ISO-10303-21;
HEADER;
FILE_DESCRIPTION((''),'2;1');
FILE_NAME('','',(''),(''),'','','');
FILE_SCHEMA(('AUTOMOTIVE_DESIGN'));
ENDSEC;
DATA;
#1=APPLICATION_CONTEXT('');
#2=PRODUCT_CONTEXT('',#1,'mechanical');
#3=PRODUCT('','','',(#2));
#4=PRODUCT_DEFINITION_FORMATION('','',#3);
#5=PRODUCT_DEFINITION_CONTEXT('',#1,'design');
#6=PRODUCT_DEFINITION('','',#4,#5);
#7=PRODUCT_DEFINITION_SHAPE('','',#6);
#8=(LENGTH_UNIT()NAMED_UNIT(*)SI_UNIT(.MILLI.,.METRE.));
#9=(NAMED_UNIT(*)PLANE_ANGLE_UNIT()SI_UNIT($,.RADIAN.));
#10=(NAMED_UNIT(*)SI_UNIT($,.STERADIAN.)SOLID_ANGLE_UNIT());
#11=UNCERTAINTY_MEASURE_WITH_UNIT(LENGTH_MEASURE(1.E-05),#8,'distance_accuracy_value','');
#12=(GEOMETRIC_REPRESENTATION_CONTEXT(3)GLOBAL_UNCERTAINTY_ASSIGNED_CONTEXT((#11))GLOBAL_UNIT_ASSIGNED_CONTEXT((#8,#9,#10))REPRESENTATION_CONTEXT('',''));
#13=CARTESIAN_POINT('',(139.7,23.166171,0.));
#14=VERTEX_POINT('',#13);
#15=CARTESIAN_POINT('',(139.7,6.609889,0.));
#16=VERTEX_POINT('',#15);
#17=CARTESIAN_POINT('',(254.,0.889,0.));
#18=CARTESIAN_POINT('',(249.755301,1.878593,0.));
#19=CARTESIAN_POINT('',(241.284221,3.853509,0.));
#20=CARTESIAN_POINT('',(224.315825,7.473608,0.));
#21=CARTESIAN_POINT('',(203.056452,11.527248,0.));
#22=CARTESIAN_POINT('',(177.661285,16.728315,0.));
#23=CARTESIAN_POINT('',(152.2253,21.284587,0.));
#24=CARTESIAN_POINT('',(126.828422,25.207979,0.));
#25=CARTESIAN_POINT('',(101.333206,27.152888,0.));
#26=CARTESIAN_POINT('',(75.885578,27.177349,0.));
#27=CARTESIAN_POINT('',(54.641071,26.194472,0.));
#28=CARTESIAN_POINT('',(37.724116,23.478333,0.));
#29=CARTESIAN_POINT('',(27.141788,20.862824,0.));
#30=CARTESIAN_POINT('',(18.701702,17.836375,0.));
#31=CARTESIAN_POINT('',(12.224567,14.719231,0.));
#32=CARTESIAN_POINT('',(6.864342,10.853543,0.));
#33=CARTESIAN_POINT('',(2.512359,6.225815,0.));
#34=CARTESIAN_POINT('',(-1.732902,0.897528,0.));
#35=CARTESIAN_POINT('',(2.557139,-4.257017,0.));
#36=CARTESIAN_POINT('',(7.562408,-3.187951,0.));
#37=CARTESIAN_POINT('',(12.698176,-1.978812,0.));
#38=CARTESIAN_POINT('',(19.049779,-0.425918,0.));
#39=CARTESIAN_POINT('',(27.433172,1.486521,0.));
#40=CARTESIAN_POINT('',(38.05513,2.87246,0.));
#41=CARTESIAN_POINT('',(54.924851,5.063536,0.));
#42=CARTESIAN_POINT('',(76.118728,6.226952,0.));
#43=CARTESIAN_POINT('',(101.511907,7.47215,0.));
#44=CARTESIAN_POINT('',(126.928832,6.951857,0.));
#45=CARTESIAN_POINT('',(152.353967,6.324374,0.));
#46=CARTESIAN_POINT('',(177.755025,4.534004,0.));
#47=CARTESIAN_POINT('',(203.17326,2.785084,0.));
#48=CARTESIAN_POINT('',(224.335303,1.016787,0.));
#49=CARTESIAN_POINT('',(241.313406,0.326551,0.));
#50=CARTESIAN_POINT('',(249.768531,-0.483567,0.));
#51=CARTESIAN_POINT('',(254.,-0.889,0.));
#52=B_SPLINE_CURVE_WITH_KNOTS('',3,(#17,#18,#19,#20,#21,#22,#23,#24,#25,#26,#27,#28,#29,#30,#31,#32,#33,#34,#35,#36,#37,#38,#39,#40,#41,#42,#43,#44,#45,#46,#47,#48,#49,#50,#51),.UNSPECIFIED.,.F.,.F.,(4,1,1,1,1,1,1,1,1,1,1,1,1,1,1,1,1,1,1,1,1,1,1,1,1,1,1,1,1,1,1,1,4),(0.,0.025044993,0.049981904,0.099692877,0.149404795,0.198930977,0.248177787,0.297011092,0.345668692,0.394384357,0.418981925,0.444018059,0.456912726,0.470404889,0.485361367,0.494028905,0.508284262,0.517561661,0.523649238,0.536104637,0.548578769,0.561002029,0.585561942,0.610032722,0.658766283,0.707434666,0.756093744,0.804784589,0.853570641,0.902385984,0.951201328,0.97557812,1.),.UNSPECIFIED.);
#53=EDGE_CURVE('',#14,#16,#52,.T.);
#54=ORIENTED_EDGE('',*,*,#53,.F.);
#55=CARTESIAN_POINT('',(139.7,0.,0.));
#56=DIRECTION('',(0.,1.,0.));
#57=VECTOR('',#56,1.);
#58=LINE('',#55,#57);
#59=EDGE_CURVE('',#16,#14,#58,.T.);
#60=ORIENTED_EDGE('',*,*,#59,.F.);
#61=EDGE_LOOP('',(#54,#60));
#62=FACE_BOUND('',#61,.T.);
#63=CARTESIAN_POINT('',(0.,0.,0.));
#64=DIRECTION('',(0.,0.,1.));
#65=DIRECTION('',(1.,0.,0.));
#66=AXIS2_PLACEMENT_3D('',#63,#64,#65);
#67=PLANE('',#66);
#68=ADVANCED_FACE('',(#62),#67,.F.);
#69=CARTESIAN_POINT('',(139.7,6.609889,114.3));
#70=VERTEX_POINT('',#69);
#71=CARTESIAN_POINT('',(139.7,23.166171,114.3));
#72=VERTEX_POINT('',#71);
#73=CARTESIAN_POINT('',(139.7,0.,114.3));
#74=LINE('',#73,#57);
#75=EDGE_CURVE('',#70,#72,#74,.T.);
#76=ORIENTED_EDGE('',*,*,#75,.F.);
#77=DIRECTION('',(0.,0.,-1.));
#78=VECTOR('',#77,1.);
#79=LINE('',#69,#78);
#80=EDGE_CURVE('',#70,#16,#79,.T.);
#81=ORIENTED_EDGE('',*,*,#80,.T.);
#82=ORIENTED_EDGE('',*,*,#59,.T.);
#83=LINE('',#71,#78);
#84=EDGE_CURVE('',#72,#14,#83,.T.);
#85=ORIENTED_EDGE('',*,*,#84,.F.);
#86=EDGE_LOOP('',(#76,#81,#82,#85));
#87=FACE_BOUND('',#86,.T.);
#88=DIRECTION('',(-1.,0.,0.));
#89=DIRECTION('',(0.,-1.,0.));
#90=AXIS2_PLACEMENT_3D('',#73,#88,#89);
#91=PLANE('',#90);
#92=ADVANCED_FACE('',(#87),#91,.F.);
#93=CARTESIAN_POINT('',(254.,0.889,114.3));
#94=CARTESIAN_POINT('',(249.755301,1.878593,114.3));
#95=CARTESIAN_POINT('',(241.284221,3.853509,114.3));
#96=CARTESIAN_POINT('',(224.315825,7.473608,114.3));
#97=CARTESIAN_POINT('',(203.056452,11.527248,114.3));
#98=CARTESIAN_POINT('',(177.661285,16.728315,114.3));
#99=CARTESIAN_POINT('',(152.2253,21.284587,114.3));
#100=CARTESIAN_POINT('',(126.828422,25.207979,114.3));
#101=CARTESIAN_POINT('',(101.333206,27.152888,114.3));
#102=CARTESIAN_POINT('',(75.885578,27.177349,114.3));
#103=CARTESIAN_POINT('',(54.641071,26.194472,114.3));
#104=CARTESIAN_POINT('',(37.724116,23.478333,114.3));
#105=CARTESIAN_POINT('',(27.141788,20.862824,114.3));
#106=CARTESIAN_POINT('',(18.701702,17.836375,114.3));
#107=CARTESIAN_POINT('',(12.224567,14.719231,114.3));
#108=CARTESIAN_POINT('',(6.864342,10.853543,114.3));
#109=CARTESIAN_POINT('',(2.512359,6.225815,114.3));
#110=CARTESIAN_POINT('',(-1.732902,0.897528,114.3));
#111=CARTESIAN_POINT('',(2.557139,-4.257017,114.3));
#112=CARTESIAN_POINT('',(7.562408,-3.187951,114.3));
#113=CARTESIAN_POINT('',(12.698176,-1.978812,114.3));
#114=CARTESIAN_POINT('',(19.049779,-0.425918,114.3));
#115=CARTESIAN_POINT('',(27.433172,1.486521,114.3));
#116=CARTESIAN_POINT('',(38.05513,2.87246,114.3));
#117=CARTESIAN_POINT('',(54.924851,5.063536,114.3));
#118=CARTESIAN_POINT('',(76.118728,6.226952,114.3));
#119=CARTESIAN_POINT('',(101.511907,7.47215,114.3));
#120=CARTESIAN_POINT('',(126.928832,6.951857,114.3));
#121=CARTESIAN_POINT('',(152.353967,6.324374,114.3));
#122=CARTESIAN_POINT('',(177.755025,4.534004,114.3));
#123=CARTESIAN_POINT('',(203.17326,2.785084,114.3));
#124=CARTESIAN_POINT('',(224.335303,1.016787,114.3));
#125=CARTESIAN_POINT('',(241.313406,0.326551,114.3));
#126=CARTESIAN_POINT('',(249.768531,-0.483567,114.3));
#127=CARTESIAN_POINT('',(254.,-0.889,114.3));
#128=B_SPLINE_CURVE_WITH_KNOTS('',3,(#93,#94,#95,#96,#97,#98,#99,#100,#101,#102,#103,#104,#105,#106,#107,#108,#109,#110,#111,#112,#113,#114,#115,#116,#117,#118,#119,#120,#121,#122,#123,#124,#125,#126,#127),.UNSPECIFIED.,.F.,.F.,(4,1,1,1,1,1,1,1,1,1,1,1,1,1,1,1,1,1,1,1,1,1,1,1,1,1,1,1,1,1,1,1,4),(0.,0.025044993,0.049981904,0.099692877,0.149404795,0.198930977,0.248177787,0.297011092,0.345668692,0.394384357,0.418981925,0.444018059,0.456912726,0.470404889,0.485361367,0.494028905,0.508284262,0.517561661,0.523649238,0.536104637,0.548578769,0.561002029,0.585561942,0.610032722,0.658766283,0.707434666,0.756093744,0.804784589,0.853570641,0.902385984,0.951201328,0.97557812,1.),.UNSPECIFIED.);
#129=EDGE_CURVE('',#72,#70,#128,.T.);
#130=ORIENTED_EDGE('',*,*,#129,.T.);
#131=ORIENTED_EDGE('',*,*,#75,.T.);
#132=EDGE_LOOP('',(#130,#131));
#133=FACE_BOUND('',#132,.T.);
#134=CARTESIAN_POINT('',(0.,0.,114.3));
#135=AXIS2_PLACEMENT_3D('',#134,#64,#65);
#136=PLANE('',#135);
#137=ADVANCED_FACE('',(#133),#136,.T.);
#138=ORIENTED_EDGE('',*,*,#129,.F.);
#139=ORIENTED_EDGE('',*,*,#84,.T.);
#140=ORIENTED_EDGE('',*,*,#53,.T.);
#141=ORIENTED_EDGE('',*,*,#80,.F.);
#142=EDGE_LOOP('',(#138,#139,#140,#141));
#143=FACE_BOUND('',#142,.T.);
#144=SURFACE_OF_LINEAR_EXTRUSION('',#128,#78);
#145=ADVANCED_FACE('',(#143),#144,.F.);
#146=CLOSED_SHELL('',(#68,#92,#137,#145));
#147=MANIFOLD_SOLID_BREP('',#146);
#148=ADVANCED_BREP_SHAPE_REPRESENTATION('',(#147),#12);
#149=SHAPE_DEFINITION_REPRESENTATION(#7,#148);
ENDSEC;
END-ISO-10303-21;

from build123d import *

# Parameters (mm, degrees)
BOSS_EXTRUDE1_DEPTH = 114.3


with BuildPart() as part:
    # Sketch1 → Boss-Extrude1 (new body)
    with BuildSketch(Plane.XY):
        with BuildLine():
            Line((139.7, 6.609889233), (139.7, 23.166170772))
            add(Edge.make_bspline(
                [(139.7, 23.166170772), (135.380629795, 23.805959403), (122.631010328, 25.528179282), (101.33320634, 27.152888319), (75.88557757, 27.17734948), (54.641071173, 26.194471962), (37.724116321, 23.47833263), (27.14178847, 20.862824139), (18.701701524, 17.836375149), (12.224566958, 14.719230964), (6.864342268, 10.853542834), (2.512358556, 6.225814587), (-1.732901636, 0.897528071), (2.557139286, -4.257017376), (7.562408352, -3.187950948), (12.698175589, -1.978811967), (19.049778871, -0.42591776), (27.433172343, 1.486520759), (38.05513002, 2.872460295), (54.924851174, 5.063535671), (76.118727982, 6.226952187), (101.511907224, 7.472150191), (122.714776143, 7.038119868), (135.441485908, 6.737356423), (139.7, 6.609889233)],
                knots=[0.223089178, 0.223089178, 0.223089178, 0.223089178, 0.248177787, 0.297011092, 0.345668692, 0.394384357, 0.418981925, 0.444018059, 0.456912726, 0.470404889, 0.485361367, 0.494028905, 0.508284262, 0.517561661, 0.523649238, 0.536104637, 0.548578769, 0.561002029, 0.585561942, 0.610032722, 0.658766283, 0.707434666, 0.756093744, 0.780575159, 0.780575159, 0.780575159, 0.780575159], degree=3))
        make_face()
    extrude(amount=BOSS_EXTRUDE1_DEPTH)


solid = part.part
